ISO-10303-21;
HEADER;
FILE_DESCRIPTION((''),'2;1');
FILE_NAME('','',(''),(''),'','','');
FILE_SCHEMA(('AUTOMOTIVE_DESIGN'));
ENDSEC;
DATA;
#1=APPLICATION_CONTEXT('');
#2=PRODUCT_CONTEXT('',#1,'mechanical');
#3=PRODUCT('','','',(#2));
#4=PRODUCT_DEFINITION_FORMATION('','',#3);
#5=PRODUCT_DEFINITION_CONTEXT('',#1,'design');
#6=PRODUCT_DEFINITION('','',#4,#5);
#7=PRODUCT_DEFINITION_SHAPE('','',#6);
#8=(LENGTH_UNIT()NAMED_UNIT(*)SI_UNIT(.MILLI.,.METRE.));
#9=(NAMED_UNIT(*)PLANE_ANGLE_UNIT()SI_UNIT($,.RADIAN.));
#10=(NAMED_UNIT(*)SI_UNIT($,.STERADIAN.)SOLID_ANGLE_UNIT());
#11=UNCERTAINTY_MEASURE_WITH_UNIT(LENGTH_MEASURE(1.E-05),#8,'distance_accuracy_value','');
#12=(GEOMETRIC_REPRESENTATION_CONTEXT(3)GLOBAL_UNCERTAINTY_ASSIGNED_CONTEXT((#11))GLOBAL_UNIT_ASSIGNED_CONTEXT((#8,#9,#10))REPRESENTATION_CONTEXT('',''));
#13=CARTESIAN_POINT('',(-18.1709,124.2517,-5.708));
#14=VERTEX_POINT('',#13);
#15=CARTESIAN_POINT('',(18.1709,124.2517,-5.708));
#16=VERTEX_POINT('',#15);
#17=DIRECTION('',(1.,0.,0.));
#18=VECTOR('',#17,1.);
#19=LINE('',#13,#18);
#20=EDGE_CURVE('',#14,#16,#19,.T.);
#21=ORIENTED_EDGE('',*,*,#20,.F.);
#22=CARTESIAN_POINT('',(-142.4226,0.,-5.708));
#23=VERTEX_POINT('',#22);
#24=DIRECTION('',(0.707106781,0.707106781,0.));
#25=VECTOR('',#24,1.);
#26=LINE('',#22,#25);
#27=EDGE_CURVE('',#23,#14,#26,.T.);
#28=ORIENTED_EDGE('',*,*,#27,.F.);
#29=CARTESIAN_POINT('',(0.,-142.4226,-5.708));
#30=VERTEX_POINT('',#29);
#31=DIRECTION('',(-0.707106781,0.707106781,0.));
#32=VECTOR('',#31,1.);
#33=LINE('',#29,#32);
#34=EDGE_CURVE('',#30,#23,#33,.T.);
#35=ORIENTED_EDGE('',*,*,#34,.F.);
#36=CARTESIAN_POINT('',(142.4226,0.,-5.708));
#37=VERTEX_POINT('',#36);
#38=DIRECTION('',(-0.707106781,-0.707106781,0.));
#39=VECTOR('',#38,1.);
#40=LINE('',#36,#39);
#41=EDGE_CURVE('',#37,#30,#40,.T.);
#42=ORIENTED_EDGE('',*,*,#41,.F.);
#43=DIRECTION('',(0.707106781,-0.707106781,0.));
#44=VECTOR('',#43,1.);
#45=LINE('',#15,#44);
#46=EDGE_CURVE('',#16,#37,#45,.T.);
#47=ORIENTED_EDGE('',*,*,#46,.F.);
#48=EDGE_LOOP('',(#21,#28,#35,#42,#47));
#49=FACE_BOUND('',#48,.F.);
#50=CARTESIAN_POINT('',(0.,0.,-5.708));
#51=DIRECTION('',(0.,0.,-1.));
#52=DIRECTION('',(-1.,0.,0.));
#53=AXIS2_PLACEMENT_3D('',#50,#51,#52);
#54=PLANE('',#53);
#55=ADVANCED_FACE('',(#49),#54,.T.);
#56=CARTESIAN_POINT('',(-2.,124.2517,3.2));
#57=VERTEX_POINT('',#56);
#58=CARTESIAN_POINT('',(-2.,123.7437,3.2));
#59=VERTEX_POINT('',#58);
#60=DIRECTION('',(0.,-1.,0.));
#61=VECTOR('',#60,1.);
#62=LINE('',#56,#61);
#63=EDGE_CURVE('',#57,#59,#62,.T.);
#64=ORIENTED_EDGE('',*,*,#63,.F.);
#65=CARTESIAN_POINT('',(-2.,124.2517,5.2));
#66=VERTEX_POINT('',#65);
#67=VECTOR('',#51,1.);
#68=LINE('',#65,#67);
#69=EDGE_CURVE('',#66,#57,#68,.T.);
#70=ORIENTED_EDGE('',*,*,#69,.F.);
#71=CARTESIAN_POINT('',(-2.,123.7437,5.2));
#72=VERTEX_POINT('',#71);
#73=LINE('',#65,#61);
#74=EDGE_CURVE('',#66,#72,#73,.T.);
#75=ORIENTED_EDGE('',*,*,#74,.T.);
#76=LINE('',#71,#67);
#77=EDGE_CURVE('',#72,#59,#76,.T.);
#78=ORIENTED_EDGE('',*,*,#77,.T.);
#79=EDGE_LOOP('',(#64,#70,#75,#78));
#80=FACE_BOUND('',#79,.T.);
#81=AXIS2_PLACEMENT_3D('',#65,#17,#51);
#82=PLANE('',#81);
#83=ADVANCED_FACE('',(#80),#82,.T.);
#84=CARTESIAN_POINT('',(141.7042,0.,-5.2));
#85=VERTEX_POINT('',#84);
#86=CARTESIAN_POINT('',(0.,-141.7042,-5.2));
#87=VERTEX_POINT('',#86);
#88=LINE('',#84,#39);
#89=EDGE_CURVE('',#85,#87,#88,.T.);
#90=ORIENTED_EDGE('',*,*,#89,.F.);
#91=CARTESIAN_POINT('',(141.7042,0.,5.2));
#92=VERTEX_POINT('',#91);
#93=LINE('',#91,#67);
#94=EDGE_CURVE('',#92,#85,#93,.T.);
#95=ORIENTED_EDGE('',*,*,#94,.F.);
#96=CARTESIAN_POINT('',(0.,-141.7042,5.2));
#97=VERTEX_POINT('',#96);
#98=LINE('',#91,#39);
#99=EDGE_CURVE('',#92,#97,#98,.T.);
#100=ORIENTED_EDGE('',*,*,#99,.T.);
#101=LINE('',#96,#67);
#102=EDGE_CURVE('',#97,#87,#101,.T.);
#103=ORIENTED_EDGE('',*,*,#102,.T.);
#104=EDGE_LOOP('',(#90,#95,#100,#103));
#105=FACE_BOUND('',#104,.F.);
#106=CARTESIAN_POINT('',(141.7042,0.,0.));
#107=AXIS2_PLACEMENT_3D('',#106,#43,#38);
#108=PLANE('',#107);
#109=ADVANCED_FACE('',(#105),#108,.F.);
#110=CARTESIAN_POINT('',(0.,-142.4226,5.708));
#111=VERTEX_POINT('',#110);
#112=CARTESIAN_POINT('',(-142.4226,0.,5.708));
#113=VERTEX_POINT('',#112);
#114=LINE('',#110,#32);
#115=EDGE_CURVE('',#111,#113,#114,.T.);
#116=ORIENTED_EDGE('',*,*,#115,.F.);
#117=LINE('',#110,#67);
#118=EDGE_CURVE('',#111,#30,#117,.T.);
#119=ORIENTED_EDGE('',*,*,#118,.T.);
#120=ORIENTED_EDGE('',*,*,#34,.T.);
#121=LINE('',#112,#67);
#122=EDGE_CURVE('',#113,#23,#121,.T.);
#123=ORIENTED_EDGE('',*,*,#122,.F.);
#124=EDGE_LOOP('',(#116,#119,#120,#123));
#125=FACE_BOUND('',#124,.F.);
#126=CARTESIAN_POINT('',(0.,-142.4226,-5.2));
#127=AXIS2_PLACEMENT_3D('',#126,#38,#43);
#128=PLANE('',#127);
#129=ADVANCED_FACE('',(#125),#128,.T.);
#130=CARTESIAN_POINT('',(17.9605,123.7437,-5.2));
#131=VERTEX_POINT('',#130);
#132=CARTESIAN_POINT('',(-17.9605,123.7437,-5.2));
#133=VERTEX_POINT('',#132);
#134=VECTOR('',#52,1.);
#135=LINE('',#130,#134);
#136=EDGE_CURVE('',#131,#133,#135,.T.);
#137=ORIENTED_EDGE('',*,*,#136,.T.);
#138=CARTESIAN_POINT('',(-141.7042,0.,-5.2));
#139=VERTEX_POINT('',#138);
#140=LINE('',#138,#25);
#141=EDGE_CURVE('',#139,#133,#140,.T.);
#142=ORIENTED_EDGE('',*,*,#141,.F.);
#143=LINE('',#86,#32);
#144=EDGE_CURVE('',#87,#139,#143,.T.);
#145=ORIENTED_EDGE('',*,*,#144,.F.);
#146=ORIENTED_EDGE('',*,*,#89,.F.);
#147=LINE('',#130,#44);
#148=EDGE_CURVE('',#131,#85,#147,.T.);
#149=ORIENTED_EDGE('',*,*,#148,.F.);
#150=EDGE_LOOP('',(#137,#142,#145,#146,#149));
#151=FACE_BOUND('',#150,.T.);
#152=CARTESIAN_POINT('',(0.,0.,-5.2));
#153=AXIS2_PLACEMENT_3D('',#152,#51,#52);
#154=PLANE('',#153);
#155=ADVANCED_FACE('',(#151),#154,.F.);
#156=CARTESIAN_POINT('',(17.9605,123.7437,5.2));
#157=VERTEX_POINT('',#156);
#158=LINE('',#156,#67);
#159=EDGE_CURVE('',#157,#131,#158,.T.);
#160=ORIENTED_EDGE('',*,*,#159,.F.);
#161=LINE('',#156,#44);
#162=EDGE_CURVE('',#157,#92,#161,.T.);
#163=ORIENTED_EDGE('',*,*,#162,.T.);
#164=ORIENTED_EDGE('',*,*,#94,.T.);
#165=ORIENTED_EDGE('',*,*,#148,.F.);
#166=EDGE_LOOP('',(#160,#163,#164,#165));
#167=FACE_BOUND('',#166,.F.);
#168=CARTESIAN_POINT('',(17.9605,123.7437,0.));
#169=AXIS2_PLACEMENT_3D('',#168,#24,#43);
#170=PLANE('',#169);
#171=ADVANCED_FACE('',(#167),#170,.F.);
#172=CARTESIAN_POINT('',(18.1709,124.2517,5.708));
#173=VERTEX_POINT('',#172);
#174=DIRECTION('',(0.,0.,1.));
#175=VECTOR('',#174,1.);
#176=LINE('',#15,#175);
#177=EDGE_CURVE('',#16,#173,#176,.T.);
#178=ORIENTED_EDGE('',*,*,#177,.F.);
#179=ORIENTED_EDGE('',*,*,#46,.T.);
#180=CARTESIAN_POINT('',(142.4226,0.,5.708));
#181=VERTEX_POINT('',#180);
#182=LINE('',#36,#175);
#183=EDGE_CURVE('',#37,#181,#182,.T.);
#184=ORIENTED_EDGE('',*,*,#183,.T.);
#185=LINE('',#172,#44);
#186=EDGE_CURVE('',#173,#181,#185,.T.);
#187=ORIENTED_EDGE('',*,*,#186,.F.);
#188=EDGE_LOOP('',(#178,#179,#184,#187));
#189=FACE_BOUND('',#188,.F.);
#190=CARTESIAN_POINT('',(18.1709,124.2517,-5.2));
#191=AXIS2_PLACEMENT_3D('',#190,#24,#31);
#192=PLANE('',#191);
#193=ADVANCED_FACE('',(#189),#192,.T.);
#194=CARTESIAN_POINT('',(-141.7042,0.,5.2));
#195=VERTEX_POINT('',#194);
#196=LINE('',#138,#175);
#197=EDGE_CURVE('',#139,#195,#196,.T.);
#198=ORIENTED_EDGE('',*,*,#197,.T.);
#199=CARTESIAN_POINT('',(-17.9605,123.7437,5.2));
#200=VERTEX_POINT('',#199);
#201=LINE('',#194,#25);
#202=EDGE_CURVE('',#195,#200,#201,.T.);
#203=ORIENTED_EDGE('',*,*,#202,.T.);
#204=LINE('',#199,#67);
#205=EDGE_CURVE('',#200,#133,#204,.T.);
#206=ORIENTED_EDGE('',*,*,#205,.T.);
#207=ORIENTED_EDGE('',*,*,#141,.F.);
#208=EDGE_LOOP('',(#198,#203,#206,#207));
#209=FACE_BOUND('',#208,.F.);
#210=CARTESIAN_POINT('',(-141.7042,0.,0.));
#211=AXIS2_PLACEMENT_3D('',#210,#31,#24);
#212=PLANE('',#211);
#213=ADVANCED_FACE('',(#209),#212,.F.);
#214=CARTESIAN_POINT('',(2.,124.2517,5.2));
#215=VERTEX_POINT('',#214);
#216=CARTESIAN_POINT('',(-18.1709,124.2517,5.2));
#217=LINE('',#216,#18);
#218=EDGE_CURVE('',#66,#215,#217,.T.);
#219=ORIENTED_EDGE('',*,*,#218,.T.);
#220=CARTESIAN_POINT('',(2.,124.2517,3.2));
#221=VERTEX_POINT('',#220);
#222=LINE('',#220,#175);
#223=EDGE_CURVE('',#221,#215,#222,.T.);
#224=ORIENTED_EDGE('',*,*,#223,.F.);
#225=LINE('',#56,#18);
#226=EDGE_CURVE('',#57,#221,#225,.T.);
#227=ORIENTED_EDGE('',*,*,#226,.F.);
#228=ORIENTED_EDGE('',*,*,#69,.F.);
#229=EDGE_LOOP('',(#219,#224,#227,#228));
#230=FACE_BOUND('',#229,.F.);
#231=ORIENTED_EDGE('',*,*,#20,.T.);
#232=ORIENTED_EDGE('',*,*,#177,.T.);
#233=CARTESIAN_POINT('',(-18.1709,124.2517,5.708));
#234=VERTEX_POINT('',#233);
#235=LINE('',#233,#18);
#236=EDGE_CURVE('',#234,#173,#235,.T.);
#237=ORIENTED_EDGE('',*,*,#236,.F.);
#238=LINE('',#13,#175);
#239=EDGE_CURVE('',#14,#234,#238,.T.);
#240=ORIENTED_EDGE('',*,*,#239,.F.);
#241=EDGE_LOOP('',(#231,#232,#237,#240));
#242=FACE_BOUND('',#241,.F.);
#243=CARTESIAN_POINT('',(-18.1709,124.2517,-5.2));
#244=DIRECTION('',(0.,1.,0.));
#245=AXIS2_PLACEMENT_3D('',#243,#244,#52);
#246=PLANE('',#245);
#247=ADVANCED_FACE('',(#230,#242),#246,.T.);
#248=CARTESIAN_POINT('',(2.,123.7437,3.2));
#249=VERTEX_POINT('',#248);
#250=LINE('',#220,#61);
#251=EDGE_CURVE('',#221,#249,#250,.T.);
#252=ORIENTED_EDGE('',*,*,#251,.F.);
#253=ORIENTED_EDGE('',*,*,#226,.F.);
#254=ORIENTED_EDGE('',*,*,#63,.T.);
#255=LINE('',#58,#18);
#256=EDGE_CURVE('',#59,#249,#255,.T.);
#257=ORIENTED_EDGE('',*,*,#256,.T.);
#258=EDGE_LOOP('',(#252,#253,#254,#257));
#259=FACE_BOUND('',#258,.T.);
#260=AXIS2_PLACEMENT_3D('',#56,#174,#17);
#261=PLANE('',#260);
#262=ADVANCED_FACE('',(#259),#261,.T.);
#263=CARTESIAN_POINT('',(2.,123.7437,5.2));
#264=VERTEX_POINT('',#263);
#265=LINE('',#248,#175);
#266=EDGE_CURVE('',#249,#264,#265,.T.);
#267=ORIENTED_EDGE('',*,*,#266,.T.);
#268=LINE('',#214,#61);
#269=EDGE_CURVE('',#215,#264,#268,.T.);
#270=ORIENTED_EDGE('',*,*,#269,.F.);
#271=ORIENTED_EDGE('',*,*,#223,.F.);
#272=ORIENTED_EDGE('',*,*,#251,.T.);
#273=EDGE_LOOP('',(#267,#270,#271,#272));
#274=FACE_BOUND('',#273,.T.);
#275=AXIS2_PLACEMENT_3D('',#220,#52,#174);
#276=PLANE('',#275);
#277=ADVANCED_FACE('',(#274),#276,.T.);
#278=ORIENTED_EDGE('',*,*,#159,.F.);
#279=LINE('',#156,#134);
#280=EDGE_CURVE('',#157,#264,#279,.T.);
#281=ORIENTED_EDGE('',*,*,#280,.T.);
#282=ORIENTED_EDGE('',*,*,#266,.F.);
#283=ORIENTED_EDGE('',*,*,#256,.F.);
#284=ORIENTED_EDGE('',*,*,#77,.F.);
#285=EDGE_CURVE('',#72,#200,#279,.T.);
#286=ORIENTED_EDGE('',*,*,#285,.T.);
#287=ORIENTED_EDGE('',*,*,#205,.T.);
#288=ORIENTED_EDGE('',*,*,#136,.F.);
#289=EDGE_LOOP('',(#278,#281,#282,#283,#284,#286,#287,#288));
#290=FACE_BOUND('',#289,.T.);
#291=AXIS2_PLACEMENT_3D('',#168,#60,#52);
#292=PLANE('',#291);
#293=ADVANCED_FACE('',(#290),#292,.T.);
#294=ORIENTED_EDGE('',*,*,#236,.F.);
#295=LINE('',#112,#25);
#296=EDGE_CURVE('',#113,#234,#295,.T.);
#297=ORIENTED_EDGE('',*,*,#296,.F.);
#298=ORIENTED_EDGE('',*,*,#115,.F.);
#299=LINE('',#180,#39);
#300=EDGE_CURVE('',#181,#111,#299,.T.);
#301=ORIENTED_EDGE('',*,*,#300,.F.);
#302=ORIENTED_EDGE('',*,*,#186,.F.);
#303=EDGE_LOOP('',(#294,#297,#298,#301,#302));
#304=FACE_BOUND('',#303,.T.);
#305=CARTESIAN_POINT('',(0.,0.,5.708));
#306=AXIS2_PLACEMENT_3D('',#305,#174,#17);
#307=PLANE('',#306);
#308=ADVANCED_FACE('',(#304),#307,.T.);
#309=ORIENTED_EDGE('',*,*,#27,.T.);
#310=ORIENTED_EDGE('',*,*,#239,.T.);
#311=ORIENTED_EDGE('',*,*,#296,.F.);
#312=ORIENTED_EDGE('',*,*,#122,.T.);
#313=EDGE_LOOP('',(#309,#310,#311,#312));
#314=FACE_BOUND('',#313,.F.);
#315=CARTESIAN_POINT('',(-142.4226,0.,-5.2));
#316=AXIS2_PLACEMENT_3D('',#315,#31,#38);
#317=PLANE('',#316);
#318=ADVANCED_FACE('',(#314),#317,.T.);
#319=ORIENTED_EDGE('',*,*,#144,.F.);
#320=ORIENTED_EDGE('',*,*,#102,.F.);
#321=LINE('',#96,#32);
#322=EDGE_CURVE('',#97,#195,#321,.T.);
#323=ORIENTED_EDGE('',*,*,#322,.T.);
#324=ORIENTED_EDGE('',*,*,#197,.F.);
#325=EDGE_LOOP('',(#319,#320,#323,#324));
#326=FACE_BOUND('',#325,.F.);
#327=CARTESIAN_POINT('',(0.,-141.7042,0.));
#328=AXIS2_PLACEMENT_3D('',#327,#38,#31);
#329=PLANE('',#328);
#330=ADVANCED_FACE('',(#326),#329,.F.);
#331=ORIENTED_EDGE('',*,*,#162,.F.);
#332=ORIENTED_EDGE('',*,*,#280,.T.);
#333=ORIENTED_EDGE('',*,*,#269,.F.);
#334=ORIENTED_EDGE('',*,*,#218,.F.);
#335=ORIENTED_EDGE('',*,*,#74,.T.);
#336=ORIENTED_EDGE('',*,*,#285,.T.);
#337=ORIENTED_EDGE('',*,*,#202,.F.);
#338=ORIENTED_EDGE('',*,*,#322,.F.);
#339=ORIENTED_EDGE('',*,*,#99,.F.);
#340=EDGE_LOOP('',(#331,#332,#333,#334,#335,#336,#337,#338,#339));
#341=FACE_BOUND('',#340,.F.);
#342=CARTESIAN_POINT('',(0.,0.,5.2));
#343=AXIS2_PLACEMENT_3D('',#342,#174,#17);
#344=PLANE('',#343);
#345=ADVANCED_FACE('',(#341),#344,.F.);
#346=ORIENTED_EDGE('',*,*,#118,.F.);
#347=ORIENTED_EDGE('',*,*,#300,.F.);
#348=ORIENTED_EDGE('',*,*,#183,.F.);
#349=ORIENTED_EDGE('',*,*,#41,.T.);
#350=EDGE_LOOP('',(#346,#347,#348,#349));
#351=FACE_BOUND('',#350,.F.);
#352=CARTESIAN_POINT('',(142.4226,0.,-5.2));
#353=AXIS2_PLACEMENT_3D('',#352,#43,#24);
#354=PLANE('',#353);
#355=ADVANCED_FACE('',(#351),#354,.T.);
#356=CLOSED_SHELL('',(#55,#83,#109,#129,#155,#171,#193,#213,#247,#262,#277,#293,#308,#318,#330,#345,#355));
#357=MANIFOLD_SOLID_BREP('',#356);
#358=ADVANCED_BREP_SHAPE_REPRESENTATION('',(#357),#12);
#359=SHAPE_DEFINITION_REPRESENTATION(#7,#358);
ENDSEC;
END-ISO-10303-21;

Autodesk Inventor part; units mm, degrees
ref_plane "YZ Plane" through (0, 0, 0) normal (1, 0, 0) x (0, 1, 0)
ref_plane "XZ Plane" through (0, 0, 0) normal (0, 1, 0) x (-1, 0, 0)
ref_plane "XY Plane" through (0, 0, 0) normal (0, 0, 1) x (1, 0, 0)
sketch "Sketch1" plane through (0, 0, 0) normal (0, 0, 1) x (1, 0, 0)
  line L0 (-141.7042, 0) -> (-17.9605, 123.7437)
  line L1 (17.9605, 123.7437) -> (141.7042, 0)
  line L2 (141.7042, 0) -> (0, -141.7042)
  line L3 (0, -141.7042) -> (-141.7042, 0)
  line L4 (-141.7042, 0) -> (141.7042, 0) construction
  line L5 (0, 141.7042) -> (0, -141.7042) construction
  line L6 (17.9605, 123.7437) -> (-17.9605, 123.7437)
  line L7 (-18.1709, 124.2517) -> (18.1709, 124.2517)
  line L8 (18.1709, 124.2517) -> (142.4226, 0)
  line L9 (142.4226, 0) -> (0, -142.4226)
  line L10 (0, -142.4226) -> (-142.4226, 0)
  line L11 (-142.4226, 0) -> (-18.1709, 124.2517)
  point P0 (0, 0)
  dimension "d0" = 200.4
  dimension "d1" = 200.4
  dimension "d7" = 25.4
  dimension "d8" = 25.4
  dimension "d9" = 0.508
extrude "Extrusion1" add sketch "Sketch1" along normal mid plane 10.4
sketch "Sketch4" plane through (-18.1709, 124.2517, 5.2) normal (0, 1, 0) x (1, 0, 0)
  line L0 (20.1709, 0) -> (16.1709, 0)
  line L1 (16.1709, 0) -> (16.1709, 2)
  line L2 (16.1709, 2) -> (20.1709, 2)
  line L3 (20.1709, 2) -> (20.1709, 0)
  line L4 (36.3419, 0) -> (0, 0) projected
  point P0 (18.1709, 5.2)
  point P1 (18.1709, 0)
  dimension "d16" = 4
  dimension "d17" = 2
extrude "Extrusion3" cut sketch "Sketch4" against normal up to surface (0.508 mm away)
sketch "Sketch2" plane through (0, 0, 5.2) normal (0, 0, 1) x (1, 0, 0)
  line L0 (142.4226, 0) -> (0, -142.4226) projected
  line L1 (18.1709, 124.2517) -> (142.4226, 0) projected
  line L2 (-18.1709, 124.2517) -> (18.1709, 124.2517) projected
  line L3 (-142.4226, 0) -> (-18.1709, 124.2517) projected
  line L4 (0, -142.4226) -> (-142.4226, 0) projected
extrude "Extrusion2" add sketch "Sketch2" along normal blind 0.508
mirror "Mirror1" about plane through (0, 0, 0) normal (0, 0, 1) of "Extrusion2"
equation "\"d0\" = ScintillatorWidth + 2 * silveringThickness"
equation "\"d1\" = ScintillatorHeight + 2 * silveringThickness"
equation "\"d7\" = cornerChamfer"
equation "\"d8\" = d7"
equation "\"d9\" = rubberizedCoating"
equation "\"d3\" = ScintillatorThickness + 2 * silveringThickness"
equation "\"d5\" = rubberizedCoating"
equation "\"OpticalFiberClearence\" = 0.15"
equation "\"ScintillatorEdgeClearence\" = 3"
equation "\"ShallowTrackDepth\" = 1.3"
equation "\"DeepTrackDepth\" = 5.571"
equation "\"FiberEdgeOffsett\" = 5"
equation "\"LoopLargeTrackRatio\" = 1.5"
equation "\"FiberSensorClerence\" = 0.5"
equation "\"MountingScrewOffsett\" = 9"
equation "\"FoilThickness\" = 0.2"
equation "\"silveringThickness\" = 0.2"
equation "\"mppcMountDepth\" = 6.35"
equation "\"opticalFiberClearence\" = 0.071"
equation "\"scintillatorEdgeClearence\" = 3"
equation "\"fiberEdgeOffsett\" = 5"
equation "\"shallowTrackDepth\" = 1.142"
equation "\"deepTrackDepth\" = 5.571"
equation "\"opticalFiberDiameter\" = 1"
equation "\"mountingSpacing\" = 18"
equation "\"cornerChamfer\" = 25.4"
equation "\"SmallTrackDiameter\" = 175"
equation "\"ScintillatorWidth\" = 200"
equation "\"ScintillatorHeight\" = 200"
equation "\"ScintillatorThickness\" = 10"
properties part number "rubberizedCoating" material "Rubber"
